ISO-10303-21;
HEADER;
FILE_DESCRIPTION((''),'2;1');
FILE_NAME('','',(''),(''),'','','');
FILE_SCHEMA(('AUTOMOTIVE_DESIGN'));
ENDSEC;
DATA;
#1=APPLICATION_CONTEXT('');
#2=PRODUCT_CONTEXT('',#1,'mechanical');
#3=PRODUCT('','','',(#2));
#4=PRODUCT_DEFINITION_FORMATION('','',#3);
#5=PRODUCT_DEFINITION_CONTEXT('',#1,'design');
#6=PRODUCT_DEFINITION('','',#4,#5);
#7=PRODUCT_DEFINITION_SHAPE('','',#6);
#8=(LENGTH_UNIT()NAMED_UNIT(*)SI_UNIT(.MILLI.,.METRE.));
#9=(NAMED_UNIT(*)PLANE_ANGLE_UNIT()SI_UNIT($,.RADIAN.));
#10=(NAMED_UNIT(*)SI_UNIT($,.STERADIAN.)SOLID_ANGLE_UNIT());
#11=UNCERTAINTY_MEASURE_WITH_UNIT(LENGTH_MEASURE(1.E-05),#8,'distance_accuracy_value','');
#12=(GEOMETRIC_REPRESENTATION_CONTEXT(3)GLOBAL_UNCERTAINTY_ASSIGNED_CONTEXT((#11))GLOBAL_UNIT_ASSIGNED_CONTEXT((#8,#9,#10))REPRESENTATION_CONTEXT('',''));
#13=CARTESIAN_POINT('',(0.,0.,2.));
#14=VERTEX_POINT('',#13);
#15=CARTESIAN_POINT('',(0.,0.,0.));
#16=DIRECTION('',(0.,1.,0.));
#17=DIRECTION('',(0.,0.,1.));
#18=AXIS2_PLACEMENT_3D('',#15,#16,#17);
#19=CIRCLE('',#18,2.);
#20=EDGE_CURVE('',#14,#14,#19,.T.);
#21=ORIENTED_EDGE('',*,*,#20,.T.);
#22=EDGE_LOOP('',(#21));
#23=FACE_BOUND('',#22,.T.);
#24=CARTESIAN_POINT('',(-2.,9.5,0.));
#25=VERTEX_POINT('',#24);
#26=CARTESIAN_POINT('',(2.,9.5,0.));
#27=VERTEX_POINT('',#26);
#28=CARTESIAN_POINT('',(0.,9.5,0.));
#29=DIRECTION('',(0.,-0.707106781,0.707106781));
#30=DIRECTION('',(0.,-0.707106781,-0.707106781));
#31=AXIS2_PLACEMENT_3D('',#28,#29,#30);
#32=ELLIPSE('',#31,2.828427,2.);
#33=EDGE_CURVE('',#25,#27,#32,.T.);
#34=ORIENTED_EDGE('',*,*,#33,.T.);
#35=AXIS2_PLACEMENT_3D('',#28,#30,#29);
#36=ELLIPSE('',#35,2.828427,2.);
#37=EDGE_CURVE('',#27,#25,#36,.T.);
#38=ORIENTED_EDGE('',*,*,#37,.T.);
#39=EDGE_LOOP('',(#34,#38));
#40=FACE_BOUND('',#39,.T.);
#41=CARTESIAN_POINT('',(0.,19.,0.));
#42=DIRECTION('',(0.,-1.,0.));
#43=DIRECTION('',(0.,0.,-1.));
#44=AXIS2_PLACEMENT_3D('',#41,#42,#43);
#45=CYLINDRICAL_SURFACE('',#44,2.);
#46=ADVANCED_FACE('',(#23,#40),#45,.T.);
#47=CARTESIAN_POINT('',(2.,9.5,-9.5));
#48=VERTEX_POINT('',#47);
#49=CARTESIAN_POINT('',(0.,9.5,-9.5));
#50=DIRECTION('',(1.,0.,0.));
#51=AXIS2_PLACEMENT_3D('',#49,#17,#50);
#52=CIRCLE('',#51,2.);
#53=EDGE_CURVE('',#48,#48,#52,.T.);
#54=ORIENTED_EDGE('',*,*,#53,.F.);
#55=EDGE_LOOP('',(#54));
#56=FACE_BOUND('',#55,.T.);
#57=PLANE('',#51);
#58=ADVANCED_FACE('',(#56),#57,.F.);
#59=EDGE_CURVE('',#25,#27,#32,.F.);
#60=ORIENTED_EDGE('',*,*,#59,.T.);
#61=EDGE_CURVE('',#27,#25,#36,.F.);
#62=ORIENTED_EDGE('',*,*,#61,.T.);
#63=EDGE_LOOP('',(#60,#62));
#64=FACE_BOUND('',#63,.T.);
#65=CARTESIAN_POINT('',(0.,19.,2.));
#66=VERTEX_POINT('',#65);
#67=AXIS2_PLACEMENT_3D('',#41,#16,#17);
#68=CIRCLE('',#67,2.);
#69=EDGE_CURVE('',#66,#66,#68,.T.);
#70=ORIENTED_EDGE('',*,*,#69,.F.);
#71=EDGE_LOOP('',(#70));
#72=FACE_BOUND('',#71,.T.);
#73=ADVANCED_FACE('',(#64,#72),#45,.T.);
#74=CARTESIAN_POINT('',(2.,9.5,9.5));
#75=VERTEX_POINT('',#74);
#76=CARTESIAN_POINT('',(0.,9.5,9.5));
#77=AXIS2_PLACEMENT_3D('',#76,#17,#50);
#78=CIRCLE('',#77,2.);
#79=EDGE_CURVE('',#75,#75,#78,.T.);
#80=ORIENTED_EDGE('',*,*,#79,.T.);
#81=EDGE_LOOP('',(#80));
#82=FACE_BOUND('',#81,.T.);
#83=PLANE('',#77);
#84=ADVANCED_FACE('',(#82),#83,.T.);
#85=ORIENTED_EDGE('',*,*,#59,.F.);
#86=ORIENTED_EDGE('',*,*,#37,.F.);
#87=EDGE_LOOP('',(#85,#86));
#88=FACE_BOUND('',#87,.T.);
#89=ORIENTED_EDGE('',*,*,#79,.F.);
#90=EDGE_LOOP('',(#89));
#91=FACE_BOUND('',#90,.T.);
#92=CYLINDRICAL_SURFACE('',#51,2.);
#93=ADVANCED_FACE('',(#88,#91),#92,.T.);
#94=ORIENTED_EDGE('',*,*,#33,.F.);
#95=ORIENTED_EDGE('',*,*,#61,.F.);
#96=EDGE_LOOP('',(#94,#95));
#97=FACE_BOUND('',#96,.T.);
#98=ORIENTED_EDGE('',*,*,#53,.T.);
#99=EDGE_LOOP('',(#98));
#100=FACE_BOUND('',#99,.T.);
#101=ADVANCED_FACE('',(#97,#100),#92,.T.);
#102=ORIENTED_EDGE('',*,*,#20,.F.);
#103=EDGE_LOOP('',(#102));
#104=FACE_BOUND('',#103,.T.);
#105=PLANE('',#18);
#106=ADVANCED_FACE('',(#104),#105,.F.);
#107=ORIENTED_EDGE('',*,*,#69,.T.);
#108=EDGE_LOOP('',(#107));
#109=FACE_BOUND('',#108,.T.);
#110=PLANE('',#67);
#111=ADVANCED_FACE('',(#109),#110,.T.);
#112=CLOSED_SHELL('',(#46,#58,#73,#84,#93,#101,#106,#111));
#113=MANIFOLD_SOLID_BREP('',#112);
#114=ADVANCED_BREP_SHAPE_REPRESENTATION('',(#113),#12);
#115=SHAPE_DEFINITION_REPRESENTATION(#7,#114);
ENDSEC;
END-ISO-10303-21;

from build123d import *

# Parameters (mm, degrees)
SKETCH1_R                = 2
BOSS_EXTRUDE1_DEPTH      = 19
BOSS_EXTRUDE2_DEPTH      = 9.5
BOSS_EXTRUDE2_DEPTH_BACK = 9.5
SKETCH2_R                = 2


with BuildPart() as part:
    # Sketch1 → Boss-Extrude1 (new body)
    with BuildSketch(Plane(origin=(0, 0, 0), x_dir=(1, 0, 0), z_dir=(0, 1, 0))):
        Circle(SKETCH1_R)
    extrude(amount=BOSS_EXTRUDE1_DEPTH)

    # Sketch2 → Boss-Extrude2 (add, two sides: drawn at the far end of the back side and taken through both)
    with BuildSketch(Plane.XY.offset(-BOSS_EXTRUDE2_DEPTH_BACK)):
        with Locations((0, 9.5)):
            Circle(SKETCH2_R)
    extrude(amount=BOSS_EXTRUDE2_DEPTH + BOSS_EXTRUDE2_DEPTH_BACK)


solid = part.part
